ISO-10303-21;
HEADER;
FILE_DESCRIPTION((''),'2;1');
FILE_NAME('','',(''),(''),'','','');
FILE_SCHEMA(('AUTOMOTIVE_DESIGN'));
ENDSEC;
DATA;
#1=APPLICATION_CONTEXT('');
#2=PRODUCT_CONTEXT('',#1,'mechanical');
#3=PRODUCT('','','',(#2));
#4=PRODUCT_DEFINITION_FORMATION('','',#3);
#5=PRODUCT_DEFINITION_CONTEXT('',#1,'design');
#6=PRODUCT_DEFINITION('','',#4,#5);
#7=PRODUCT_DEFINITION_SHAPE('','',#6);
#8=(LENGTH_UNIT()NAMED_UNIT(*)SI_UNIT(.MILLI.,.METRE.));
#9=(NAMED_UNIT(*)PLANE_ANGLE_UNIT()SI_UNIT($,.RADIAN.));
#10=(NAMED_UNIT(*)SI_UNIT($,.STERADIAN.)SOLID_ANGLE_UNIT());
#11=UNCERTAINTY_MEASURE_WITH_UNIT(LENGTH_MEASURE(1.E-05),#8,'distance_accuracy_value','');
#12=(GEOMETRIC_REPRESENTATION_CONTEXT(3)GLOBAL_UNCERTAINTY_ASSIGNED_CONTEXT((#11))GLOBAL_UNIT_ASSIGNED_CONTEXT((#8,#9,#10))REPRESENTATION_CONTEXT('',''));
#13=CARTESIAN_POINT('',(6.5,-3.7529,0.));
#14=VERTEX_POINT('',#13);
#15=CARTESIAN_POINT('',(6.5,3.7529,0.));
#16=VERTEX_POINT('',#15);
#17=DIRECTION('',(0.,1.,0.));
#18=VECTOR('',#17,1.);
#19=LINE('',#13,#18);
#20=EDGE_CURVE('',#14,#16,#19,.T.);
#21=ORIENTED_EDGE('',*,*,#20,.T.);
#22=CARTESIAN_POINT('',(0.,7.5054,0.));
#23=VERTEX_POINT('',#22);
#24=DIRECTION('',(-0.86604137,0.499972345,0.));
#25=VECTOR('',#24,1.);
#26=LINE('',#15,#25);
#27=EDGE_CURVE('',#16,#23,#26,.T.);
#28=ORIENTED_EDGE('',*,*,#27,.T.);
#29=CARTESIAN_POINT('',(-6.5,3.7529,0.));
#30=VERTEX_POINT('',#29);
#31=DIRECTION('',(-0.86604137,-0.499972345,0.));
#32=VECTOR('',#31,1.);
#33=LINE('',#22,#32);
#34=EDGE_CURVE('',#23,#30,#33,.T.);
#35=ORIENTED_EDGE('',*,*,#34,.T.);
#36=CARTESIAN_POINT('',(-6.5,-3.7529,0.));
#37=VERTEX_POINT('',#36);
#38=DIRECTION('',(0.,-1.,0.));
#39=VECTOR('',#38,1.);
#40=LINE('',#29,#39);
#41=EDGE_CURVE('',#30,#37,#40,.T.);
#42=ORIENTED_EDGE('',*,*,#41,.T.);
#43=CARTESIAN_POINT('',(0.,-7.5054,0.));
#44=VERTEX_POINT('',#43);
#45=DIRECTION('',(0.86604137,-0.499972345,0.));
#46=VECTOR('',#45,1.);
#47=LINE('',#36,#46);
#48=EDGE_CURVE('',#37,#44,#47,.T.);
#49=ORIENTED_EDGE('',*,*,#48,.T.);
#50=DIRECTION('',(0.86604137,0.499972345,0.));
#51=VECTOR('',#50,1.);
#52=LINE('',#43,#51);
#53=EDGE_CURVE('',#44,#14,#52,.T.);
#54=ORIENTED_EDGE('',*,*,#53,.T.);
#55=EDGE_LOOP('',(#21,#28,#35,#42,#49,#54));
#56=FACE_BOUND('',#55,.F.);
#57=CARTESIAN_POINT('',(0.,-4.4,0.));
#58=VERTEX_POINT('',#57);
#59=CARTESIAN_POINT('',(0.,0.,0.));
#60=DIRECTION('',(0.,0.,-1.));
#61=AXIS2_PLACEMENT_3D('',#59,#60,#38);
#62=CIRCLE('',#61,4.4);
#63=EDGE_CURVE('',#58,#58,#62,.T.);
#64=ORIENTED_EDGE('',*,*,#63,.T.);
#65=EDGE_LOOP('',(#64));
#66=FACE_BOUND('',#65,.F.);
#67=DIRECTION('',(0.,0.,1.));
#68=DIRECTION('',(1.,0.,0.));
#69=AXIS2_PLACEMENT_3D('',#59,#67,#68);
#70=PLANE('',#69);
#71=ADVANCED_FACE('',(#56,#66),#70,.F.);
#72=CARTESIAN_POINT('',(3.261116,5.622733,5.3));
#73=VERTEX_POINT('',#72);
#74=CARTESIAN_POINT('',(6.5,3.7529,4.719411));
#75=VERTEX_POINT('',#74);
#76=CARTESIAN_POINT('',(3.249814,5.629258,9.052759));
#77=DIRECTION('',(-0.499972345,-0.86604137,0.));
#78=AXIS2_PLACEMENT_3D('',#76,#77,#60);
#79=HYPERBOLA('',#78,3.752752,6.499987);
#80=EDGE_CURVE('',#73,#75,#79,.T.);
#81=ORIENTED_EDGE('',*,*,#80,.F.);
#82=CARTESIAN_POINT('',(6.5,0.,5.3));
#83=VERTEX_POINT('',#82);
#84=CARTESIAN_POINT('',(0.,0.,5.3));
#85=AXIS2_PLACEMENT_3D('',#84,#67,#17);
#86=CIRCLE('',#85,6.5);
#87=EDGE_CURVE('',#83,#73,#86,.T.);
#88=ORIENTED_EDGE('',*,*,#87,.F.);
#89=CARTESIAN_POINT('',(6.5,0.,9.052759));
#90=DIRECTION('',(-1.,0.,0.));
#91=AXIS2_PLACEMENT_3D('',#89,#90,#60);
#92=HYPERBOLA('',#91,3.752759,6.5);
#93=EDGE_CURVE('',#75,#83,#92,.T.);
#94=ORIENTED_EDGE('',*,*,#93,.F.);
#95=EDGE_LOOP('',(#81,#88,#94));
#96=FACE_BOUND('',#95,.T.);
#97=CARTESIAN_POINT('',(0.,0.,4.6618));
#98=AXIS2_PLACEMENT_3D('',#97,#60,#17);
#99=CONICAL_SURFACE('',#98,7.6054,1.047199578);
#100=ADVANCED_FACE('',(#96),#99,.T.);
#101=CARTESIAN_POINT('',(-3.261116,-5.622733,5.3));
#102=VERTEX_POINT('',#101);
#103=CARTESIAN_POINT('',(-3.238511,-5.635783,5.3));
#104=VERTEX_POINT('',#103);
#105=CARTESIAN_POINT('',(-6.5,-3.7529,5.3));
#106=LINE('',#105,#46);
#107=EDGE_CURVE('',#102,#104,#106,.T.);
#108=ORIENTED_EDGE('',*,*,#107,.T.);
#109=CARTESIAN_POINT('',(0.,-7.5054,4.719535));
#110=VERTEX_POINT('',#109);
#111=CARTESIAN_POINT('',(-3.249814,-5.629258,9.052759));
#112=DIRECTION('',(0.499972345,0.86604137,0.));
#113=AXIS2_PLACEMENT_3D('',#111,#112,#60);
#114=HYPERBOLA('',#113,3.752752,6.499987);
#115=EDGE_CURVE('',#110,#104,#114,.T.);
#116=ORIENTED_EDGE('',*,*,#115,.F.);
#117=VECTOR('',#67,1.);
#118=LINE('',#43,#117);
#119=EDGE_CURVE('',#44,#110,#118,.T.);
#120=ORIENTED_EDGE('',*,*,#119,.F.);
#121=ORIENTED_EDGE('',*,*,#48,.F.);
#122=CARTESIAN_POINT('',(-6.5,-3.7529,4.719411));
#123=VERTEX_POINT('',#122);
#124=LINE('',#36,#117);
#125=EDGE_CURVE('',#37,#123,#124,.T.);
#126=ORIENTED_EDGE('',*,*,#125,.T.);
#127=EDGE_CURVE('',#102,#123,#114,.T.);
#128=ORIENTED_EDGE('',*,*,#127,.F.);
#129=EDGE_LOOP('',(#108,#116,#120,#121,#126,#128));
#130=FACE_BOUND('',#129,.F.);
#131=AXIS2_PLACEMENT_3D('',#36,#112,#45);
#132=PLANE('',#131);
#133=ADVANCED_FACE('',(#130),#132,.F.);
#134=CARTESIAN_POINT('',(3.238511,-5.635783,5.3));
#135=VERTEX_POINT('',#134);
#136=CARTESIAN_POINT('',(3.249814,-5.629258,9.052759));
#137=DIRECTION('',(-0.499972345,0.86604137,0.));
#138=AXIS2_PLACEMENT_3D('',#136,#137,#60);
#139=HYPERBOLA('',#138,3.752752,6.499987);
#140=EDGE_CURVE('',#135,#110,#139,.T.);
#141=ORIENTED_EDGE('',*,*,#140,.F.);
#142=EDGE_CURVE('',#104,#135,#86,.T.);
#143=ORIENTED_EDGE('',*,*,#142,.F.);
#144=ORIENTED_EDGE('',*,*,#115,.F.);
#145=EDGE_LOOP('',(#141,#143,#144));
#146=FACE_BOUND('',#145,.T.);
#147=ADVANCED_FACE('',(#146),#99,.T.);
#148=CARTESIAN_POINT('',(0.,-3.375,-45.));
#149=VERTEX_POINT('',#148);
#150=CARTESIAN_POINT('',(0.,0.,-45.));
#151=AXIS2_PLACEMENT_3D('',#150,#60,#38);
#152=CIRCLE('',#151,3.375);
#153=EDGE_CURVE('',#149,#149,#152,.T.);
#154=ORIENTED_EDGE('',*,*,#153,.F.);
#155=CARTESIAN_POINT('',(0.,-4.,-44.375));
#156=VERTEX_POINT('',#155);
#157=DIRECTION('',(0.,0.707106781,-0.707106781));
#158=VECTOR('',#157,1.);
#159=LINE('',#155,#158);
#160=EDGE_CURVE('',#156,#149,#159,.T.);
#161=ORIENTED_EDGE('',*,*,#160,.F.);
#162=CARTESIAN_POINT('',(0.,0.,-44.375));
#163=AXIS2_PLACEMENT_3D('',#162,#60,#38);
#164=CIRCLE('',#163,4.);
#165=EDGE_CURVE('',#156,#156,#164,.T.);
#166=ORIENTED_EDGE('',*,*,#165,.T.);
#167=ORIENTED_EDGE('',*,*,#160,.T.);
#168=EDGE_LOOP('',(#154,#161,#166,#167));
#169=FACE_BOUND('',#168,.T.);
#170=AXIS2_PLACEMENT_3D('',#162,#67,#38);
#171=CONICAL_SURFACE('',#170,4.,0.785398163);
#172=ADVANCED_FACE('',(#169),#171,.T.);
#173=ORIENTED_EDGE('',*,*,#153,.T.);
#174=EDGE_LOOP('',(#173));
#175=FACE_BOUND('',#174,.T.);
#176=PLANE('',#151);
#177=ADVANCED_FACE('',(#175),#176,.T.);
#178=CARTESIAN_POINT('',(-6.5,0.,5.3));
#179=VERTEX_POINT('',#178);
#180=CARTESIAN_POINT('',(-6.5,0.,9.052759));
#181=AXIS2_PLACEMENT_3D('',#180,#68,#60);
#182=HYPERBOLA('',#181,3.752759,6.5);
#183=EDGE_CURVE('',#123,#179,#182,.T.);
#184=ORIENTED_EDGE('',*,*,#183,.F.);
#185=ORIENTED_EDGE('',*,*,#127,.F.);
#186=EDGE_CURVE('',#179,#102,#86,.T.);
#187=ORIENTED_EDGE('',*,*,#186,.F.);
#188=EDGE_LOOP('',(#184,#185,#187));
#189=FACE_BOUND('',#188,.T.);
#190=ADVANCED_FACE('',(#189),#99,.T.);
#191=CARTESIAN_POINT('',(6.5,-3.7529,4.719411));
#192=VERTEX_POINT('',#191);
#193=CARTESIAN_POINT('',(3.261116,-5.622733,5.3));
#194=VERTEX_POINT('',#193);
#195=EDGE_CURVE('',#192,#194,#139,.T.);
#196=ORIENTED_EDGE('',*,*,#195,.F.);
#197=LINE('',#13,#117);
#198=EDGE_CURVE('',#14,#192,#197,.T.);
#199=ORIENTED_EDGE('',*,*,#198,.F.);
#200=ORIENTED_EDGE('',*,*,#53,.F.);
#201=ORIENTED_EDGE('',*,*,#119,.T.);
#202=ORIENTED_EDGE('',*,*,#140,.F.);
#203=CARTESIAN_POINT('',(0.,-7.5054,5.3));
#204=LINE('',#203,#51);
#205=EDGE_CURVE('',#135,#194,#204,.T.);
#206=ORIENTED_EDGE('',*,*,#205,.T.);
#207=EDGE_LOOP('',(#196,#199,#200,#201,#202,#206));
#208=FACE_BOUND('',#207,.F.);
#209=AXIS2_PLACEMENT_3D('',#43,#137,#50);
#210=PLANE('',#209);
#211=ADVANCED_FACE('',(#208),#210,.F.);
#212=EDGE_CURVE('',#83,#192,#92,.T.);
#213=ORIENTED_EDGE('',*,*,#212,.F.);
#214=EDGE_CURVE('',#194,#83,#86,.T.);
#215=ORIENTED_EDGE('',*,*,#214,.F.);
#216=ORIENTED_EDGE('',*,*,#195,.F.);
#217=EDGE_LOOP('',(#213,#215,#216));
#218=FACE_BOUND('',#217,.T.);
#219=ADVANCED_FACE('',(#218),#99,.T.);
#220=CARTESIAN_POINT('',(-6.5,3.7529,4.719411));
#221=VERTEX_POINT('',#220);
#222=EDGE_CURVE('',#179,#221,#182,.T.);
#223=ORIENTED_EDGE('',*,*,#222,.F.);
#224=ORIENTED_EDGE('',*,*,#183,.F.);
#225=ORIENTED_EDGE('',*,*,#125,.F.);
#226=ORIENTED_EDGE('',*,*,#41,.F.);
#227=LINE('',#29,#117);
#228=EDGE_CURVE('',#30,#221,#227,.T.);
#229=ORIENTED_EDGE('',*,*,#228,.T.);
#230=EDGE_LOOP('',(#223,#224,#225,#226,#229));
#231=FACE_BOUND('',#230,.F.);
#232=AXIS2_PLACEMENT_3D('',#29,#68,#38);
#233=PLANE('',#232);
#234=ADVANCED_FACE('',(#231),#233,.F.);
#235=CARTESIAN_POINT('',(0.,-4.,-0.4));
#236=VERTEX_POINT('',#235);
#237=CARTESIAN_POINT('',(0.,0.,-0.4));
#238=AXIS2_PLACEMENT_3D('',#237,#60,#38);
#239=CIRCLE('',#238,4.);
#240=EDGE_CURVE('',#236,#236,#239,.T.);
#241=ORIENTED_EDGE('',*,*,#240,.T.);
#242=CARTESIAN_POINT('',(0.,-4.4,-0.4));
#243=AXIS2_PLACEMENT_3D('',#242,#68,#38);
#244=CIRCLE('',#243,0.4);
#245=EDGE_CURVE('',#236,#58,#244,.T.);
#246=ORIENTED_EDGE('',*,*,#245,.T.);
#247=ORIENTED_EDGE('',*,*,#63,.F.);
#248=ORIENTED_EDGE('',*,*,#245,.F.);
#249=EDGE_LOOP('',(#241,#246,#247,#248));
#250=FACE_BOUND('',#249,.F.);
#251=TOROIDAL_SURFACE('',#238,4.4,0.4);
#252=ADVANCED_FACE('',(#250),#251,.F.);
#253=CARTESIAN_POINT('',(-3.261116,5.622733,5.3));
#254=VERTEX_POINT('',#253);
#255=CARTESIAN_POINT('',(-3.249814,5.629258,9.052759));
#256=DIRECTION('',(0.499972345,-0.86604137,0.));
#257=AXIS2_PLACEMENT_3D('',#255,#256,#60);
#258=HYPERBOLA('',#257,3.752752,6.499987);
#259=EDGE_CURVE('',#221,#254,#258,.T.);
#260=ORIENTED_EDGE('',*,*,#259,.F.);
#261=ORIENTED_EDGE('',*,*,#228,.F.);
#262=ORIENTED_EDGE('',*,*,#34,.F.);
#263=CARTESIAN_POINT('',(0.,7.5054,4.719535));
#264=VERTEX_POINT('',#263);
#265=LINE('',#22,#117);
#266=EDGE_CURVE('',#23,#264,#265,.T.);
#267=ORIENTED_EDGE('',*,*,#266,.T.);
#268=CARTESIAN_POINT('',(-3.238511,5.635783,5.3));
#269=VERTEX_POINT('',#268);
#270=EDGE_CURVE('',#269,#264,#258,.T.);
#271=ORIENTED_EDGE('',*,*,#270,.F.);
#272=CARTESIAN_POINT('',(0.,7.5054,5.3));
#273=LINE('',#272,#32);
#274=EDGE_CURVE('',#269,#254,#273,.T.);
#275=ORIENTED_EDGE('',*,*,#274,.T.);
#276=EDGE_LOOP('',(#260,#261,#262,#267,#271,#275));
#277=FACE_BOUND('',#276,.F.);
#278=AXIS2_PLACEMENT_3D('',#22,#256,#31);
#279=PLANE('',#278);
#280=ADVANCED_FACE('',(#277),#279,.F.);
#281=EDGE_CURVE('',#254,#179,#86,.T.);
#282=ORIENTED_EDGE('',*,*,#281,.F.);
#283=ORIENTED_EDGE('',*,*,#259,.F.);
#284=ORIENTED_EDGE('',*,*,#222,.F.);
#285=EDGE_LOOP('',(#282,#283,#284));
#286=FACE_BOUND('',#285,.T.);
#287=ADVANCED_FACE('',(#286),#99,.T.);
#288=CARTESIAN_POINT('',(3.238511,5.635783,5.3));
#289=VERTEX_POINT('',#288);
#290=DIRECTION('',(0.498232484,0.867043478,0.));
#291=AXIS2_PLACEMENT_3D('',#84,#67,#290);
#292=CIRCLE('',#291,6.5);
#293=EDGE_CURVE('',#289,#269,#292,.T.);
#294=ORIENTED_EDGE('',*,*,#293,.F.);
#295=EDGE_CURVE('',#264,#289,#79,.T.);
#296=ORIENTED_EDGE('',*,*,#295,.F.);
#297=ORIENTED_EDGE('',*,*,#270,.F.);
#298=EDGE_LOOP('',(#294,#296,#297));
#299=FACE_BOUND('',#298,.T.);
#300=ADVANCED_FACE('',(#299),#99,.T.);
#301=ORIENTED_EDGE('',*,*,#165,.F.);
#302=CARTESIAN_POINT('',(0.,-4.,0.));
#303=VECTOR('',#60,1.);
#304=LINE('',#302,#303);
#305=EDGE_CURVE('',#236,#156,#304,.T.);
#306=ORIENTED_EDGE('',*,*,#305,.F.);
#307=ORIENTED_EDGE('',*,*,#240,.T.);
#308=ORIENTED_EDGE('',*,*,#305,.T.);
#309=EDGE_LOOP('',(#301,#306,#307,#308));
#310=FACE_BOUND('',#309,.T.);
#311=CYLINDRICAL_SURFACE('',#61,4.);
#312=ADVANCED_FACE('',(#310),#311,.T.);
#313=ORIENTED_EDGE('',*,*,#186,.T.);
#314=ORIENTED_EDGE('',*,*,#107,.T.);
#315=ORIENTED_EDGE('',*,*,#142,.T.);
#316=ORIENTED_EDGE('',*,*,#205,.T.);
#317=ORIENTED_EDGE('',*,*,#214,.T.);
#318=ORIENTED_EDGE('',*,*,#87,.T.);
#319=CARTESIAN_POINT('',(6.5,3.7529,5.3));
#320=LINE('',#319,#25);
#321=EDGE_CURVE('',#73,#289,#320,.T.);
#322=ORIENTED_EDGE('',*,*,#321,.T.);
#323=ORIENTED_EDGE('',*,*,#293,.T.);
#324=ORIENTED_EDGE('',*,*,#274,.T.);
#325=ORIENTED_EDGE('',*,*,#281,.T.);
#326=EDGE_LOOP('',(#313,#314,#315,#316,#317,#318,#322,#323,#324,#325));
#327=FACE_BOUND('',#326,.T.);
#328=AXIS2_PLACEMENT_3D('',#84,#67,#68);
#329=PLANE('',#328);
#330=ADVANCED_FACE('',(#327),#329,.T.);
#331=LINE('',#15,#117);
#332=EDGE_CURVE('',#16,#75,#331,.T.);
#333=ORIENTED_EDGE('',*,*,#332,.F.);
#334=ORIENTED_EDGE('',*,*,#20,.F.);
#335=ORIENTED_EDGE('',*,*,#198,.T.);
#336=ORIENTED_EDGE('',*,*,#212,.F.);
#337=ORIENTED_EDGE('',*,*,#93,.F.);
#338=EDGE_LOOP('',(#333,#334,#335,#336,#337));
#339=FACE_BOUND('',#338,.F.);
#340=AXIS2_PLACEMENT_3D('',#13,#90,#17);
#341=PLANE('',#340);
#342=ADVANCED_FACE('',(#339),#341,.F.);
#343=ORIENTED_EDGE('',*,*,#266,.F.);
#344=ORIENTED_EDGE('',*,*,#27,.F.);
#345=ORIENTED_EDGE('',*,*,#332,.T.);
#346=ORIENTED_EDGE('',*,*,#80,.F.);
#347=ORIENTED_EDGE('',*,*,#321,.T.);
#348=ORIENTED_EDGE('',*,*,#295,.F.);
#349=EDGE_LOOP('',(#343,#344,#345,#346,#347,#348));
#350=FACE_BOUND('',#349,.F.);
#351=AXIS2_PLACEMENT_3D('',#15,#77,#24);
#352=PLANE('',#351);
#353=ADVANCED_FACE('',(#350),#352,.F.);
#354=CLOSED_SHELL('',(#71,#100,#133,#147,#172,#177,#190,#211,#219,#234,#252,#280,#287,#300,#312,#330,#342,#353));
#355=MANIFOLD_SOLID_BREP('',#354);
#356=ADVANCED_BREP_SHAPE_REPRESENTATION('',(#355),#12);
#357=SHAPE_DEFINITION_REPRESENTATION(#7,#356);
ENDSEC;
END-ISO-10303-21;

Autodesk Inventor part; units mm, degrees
ref_plane "WorkPlane1" through (0, 0, 0) normal (0, 0, 1) x (1, 0, 0)
sketch "Sketch1" plane through (0, 0, 0) normal (0, 0, 1) x (1, 0, 0)
  point P0 (0, 0)
sketch "Sketch2" plane through (0, 0, 0) normal (0, 0, 1) x (1, 0, 0)
  line L0 (-6.5, 3.7529) -> (-6.5, -3.7529)
  line L1 (0, 7.5054) -> (-6.5, 3.7529)
  line L2 (6.5, 3.7529) -> (0, 7.5054)
  line L3 (6.5, -3.7529) -> (6.5, 3.7529)
  line L4 (0, -7.5054) -> (6.5, -3.7529)
  line L5 (-6.5, -3.7529) -> (0, -7.5054)
  circle A0 centre (0, 0) radius 6.5 construction
  dimension "d1" = 13
  dimension "d29" = 0
  dimension "d30" = 0
extrude "Extrusion1" add sketch "Sketch2" along normal blind 5.3
sketch "Sketch3" plane through (0, 0, 0) normal (1, 0, 0) x (0, 1, 0)
  line L0 (6.5, 5.3) -> (7.6054, 5.3)
  line L1 (7.6054, 4.6618) -> (6.5, 5.3)
  line L2 (7.6054, 5.3) -> (7.6054, 4.6618)
  line L3 (0, -1.06) -> (0, 6.36) projected
  line L4 (7.5054, 0) -> (7.5054, 5.3) projected
  dimension "d25" = 0.1
  dimension "d26" = 0
  dimension "d27" = 60
  dimension "d28" = 6.5
revolve "Revolution1" cut sketch "Sketch3" angle 360 about axis through (0, 0, -10) along (0, 0, 1)
sketch "Sketch4" plane through (0, 0, 0) normal (1, 0, 0) x (0, 1, 0)
  line L0 (0, -45) -> (0, 0)
  line L1 (-4, -45) -> (0, -45)
  line L2 (-4, 0) -> (-4, -45)
  line L3 (0, 0) -> (-4, 0)
  line L4 (0, -45) -> (0, 0)
  line L5 (-4.8, 0) -> (0.8, 0) projected
  line L6 (0, -54) -> (0, 9) projected
  dimension "d18" = 4
  dimension "d20" = 45
  dimension "d33" = 0
  dimension "d34" = 0
revolve "Revolution2" add sketch "Sketch4" angle 360 about axis through (0, 0, -45) along (0, 0, -1)
chamfer "Chamfer1" distance 0.625 angle 45 1 edges at (0, 4, -45)
fillet "Fillet1" radius 0.4 1 edges at (0, 4, 0)
thread "Thread1" size "M8x1.25" class "6g" standard "ISO Metric profile" length 42.5
ref_plane "MSC_PF1" through (0, 0, 0) normal (1, 0, 0) x (0, 1, 0)
ref_plane "MSC_PT1" through (0, 0, 0) normal (0, 0, -1) x (-1, 0, 0)
equation "\"d22\" = 0.5 * PTC"
equation "\"d23\" = 0.5 * PTC"
equation "\"d24\" = r"
equation "\"d1\" = ParS"
equation "\"d6\" = ParK"
equation "\"b\" = NLG - 2 * PTC"
equation "\"d28\" = 0.5 * ParS"
equation "\"d18\" = 0.5 * NND"
equation "\"d20\" = NLG"
equation "\"NND\" = 8"
equation "\"NLG\" = 45"
equation "\"PTC\" = 1.25"
equation "\"ParK\" = 5.3"
equation "\"ParS\" = 13"
equation "\"msp_es\" = 0.577367 * ParS"
equation "\"r\" = 0.4"
equation "\"THREADDIA\" = NND"
properties part number "ISO 4018 - M8 x 45" material "Steel"
